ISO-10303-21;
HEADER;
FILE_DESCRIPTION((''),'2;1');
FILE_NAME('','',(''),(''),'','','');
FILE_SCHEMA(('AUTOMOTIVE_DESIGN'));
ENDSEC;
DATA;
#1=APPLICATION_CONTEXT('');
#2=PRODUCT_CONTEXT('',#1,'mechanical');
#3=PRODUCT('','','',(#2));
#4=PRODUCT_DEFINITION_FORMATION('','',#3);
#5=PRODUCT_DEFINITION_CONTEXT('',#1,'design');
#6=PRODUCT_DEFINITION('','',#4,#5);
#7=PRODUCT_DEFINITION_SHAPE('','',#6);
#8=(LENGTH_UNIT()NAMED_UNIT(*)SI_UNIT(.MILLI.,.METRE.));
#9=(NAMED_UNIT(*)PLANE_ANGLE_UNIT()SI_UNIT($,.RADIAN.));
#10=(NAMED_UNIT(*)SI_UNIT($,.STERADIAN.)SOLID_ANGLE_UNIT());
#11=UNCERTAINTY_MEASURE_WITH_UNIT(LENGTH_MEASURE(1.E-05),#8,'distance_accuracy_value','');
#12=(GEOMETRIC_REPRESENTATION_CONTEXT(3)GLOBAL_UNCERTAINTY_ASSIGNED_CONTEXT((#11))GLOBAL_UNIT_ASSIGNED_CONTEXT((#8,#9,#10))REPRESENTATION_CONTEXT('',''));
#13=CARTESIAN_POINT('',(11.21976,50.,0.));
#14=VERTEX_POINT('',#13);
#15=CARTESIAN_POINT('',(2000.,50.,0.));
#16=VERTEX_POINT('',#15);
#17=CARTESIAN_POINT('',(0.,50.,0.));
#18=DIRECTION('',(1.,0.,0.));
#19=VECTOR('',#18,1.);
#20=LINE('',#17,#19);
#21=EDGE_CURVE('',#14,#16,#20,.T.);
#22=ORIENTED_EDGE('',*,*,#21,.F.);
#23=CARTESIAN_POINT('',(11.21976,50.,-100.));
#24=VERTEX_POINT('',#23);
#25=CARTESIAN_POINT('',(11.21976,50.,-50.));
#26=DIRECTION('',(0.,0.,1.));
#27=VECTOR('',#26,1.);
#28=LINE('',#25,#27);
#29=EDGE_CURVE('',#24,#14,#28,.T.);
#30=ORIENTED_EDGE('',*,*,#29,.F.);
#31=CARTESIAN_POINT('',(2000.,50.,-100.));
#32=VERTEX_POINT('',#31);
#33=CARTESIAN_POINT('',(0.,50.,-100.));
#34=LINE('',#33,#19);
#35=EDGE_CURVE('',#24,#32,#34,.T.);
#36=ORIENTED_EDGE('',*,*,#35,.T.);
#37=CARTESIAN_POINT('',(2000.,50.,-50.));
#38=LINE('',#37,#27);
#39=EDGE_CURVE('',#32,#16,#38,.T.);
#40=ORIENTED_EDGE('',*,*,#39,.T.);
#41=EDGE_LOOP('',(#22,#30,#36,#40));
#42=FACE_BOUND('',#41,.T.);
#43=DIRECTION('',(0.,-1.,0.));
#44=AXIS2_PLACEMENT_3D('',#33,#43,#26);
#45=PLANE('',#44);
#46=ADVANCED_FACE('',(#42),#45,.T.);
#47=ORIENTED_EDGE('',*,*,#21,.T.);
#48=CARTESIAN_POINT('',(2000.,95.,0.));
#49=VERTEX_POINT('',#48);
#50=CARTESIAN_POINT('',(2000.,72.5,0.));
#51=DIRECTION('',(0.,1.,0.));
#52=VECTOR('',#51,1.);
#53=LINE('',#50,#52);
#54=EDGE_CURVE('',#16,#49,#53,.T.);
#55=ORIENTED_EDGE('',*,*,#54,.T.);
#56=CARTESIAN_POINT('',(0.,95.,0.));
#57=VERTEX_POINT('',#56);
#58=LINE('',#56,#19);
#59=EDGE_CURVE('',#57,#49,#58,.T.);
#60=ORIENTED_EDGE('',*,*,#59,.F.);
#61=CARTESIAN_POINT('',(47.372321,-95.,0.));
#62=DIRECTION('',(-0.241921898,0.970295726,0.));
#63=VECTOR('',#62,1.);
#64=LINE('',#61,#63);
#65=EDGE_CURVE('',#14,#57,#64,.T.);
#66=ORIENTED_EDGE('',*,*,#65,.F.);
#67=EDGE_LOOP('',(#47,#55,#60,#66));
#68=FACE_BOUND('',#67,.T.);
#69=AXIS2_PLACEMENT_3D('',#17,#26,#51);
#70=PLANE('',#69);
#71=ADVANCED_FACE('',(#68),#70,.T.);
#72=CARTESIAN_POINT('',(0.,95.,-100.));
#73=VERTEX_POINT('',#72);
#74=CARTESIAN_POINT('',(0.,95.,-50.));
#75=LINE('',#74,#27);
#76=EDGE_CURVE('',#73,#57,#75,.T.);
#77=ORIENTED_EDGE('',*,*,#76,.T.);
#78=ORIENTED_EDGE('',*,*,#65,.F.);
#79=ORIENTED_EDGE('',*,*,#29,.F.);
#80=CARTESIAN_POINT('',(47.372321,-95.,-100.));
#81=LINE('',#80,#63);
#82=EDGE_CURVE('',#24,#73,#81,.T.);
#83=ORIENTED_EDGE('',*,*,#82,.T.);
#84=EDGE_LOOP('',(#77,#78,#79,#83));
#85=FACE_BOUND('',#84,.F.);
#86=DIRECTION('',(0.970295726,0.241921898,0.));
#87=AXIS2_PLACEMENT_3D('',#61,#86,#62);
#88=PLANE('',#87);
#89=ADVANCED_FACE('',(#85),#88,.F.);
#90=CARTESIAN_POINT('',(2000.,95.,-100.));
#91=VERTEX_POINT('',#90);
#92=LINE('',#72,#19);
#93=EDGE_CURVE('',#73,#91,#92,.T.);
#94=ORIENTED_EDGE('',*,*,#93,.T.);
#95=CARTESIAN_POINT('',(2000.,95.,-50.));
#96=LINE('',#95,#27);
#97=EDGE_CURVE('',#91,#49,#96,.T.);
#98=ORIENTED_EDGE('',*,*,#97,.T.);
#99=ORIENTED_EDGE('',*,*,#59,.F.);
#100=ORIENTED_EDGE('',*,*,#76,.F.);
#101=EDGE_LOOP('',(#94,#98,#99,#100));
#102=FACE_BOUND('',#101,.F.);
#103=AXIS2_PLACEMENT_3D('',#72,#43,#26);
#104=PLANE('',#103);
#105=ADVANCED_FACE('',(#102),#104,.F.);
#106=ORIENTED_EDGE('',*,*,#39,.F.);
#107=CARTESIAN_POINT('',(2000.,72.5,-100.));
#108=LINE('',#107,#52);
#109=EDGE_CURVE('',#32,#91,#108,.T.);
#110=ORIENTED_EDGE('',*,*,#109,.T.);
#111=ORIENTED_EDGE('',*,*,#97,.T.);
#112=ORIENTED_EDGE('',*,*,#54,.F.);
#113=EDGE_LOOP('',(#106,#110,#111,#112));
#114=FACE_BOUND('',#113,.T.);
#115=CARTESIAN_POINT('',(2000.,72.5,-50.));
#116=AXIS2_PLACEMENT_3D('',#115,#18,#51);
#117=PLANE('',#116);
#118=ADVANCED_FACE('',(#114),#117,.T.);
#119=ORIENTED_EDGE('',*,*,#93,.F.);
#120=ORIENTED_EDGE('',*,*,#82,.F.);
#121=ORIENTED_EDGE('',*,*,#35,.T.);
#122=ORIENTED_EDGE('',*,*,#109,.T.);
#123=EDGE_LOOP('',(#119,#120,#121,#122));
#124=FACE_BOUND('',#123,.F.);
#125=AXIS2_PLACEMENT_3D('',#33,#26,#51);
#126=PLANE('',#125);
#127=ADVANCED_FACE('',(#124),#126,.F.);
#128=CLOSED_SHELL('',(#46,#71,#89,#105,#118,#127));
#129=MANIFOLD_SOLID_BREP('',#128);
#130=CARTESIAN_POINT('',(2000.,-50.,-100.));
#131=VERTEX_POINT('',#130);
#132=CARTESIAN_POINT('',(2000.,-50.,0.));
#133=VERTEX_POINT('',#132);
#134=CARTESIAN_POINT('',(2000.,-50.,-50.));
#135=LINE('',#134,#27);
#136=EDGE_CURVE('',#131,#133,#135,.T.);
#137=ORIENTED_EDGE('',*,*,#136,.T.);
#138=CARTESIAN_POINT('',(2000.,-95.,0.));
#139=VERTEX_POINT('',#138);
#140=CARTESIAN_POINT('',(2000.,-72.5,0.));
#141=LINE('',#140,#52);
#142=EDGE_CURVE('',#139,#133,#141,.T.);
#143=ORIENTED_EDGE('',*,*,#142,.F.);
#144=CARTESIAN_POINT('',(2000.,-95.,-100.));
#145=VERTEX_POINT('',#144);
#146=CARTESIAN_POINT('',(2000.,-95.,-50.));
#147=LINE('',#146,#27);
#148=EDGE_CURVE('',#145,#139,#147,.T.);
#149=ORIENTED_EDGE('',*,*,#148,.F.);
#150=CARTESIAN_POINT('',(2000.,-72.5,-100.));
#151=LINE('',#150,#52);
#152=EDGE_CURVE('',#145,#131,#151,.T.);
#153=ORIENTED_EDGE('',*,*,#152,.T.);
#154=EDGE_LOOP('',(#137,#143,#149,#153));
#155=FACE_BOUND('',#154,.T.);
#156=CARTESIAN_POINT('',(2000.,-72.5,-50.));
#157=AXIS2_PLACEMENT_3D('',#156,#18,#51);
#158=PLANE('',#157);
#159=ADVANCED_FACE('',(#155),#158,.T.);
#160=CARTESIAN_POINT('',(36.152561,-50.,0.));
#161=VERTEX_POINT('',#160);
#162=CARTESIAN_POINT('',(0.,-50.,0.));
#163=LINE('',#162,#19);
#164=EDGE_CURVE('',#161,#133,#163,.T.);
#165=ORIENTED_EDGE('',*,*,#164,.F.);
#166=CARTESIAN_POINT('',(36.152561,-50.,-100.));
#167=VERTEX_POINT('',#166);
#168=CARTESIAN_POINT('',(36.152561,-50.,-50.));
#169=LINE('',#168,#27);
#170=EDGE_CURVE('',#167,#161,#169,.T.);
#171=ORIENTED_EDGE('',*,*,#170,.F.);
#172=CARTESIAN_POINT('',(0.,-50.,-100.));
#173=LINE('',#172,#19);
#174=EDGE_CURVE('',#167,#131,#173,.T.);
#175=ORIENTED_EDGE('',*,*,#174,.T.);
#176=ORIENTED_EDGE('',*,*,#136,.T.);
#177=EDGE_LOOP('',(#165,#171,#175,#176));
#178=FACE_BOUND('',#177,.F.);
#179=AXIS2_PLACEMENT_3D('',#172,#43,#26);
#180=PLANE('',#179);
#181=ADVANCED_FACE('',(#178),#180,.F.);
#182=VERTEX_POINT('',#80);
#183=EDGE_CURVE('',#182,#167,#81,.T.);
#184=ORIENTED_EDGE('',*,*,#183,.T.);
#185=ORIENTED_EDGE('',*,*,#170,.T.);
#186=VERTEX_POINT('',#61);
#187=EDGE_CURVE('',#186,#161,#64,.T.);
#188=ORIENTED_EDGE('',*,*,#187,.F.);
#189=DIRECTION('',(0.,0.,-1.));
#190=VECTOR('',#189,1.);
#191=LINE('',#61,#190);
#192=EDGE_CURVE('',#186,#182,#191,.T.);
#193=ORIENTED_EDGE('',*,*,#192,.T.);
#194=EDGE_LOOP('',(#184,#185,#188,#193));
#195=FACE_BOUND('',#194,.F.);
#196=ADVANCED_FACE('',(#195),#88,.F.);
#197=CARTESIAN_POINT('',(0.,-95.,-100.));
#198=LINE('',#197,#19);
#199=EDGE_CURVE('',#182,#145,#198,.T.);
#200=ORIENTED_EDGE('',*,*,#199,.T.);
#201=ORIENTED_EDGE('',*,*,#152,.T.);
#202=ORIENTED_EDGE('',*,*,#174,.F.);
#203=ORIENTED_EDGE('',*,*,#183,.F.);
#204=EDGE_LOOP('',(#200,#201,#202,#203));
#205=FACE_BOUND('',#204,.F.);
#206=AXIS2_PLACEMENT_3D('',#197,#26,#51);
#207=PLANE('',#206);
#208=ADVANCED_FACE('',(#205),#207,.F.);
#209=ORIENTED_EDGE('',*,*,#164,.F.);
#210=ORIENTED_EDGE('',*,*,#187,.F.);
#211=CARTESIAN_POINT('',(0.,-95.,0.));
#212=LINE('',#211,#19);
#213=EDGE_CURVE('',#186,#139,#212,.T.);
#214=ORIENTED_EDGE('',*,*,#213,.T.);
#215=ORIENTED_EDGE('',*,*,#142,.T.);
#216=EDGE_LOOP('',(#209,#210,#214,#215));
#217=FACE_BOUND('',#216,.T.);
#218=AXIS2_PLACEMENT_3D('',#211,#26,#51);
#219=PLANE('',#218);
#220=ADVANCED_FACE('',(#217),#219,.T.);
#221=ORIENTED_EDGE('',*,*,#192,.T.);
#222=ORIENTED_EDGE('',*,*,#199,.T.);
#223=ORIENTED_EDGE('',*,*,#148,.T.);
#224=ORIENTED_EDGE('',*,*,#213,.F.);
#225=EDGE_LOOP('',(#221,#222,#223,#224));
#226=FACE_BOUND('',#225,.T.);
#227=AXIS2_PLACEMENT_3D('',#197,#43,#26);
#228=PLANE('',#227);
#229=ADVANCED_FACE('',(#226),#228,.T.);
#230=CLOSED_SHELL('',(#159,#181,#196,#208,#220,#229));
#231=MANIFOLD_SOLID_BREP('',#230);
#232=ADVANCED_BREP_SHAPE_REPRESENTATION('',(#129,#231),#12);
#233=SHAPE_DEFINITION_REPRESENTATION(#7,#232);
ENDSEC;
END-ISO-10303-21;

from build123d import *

# Parameters (mm, degrees)
F0_W     = 45
F0_H     = 100
F1_DEPTH = 2000
F3_DEPTH = 100


with BuildPart() as f1:
    # F0 (on Right) → F1 (new body)
    with BuildSketch(Plane.YZ):
        with Locations((-72.5, -50)):
            Rectangle(F0_W, F0_H)
        with Locations((72.5, -50)):
            Rectangle(F0_W, F0_H)
    extrude(amount=F1_DEPTH)

    # F2 (on face) → F3 (cut)
    with BuildSketch(Plane.XY):
        Polygon((47.372321, -95), (0, 95), (0, -95), align=None)
    extrude(amount=-F3_DEPTH, mode=Mode.SUBTRACT)


solid = f1.part
